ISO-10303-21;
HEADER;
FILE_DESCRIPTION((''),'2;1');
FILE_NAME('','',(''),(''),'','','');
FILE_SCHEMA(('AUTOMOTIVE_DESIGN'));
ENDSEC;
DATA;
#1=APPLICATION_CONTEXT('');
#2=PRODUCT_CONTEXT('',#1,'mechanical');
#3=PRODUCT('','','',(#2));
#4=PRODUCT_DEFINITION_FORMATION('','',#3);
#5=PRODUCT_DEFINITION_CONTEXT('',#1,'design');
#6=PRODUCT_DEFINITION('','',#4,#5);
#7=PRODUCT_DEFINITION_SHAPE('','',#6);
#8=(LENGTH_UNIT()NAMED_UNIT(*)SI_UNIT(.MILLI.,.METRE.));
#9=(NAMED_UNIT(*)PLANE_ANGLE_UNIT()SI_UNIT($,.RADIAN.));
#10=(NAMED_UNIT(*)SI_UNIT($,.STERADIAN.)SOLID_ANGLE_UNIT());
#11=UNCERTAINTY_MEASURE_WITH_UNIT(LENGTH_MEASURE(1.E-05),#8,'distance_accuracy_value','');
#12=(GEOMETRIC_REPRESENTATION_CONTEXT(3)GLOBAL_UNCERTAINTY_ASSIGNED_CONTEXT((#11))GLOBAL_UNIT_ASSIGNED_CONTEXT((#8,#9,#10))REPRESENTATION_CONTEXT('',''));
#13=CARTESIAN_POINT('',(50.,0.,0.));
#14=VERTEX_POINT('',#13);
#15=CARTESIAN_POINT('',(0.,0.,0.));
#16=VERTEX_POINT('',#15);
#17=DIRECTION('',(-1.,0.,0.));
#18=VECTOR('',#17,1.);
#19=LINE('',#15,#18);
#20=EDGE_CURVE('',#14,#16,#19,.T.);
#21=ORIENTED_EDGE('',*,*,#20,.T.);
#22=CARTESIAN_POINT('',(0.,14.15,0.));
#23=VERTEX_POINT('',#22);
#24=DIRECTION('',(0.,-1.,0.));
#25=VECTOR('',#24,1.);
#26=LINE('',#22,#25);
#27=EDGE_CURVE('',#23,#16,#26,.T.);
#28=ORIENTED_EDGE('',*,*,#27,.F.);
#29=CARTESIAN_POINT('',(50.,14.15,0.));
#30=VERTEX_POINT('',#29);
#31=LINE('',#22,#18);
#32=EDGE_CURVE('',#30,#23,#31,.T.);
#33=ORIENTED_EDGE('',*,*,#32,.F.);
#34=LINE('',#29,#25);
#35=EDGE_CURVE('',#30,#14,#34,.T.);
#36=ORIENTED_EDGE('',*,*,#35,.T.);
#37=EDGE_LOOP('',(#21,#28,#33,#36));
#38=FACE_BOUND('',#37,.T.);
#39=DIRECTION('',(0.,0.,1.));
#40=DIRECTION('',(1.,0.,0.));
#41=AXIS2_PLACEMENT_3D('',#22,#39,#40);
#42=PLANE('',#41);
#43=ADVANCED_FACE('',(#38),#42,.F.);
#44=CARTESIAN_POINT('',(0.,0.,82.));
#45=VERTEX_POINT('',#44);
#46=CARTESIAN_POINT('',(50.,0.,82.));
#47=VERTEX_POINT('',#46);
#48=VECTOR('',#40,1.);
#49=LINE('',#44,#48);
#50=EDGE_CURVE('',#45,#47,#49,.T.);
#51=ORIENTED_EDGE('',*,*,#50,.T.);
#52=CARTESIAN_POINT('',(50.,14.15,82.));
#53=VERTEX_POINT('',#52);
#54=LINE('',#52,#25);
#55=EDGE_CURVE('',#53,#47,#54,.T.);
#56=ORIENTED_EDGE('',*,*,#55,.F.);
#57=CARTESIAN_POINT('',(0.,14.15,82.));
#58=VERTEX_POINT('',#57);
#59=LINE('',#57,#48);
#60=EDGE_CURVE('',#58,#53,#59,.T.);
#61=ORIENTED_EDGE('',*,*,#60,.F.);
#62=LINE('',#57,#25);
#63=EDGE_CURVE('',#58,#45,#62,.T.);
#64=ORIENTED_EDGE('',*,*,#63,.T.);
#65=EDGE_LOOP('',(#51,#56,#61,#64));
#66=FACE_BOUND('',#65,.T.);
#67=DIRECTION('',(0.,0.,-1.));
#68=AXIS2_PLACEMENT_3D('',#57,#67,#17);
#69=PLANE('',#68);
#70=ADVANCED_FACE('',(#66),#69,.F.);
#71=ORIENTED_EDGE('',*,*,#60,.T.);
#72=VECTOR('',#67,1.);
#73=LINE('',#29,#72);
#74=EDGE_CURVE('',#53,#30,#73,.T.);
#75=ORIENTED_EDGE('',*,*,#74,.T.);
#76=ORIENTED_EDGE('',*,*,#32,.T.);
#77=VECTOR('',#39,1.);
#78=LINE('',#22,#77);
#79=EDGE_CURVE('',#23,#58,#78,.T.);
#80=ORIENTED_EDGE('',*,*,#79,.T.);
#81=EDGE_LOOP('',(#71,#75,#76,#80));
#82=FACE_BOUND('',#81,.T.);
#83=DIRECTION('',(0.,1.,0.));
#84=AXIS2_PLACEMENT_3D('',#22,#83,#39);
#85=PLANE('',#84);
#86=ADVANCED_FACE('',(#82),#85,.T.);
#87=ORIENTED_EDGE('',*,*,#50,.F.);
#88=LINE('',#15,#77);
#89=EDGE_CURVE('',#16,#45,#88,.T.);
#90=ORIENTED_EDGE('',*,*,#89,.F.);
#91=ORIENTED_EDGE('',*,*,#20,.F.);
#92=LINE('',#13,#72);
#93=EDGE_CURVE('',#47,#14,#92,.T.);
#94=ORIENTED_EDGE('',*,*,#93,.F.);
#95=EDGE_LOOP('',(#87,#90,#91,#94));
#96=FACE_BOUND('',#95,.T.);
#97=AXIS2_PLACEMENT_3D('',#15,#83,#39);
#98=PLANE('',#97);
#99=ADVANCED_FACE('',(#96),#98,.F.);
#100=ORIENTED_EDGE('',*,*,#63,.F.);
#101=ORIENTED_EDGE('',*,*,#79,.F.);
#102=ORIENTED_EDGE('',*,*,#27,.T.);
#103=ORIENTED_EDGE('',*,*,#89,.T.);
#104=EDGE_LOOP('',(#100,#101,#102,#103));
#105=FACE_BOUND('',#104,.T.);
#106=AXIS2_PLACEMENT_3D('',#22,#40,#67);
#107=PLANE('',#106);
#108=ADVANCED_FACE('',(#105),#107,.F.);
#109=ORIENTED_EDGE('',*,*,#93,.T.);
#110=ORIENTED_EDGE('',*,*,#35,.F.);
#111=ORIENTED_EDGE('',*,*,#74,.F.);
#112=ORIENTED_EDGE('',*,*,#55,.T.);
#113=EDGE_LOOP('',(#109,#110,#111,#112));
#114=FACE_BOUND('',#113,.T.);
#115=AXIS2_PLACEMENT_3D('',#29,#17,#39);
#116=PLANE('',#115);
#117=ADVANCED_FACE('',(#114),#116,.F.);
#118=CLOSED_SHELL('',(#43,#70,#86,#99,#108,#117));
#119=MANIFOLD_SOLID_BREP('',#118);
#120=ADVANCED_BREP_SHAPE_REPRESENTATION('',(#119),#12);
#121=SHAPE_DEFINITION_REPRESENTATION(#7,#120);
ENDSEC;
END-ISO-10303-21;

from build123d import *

# Parameters (mm, degrees)
SKETCH1_W           = 50
SKETCH1_H           = 82
BOSS_EXTRUDE1_DEPTH = 14.15


with BuildPart() as part:
    # Sketch1 → Boss-Extrude1 (new body)
    with BuildSketch(Plane(origin=(0, 0, 0), x_dir=(1, 0, 0), z_dir=(0, 1, 0))):
        with Locations((25, -41)):
            Rectangle(SKETCH1_W, SKETCH1_H)
    extrude(amount=BOSS_EXTRUDE1_DEPTH)


solid = part.part
